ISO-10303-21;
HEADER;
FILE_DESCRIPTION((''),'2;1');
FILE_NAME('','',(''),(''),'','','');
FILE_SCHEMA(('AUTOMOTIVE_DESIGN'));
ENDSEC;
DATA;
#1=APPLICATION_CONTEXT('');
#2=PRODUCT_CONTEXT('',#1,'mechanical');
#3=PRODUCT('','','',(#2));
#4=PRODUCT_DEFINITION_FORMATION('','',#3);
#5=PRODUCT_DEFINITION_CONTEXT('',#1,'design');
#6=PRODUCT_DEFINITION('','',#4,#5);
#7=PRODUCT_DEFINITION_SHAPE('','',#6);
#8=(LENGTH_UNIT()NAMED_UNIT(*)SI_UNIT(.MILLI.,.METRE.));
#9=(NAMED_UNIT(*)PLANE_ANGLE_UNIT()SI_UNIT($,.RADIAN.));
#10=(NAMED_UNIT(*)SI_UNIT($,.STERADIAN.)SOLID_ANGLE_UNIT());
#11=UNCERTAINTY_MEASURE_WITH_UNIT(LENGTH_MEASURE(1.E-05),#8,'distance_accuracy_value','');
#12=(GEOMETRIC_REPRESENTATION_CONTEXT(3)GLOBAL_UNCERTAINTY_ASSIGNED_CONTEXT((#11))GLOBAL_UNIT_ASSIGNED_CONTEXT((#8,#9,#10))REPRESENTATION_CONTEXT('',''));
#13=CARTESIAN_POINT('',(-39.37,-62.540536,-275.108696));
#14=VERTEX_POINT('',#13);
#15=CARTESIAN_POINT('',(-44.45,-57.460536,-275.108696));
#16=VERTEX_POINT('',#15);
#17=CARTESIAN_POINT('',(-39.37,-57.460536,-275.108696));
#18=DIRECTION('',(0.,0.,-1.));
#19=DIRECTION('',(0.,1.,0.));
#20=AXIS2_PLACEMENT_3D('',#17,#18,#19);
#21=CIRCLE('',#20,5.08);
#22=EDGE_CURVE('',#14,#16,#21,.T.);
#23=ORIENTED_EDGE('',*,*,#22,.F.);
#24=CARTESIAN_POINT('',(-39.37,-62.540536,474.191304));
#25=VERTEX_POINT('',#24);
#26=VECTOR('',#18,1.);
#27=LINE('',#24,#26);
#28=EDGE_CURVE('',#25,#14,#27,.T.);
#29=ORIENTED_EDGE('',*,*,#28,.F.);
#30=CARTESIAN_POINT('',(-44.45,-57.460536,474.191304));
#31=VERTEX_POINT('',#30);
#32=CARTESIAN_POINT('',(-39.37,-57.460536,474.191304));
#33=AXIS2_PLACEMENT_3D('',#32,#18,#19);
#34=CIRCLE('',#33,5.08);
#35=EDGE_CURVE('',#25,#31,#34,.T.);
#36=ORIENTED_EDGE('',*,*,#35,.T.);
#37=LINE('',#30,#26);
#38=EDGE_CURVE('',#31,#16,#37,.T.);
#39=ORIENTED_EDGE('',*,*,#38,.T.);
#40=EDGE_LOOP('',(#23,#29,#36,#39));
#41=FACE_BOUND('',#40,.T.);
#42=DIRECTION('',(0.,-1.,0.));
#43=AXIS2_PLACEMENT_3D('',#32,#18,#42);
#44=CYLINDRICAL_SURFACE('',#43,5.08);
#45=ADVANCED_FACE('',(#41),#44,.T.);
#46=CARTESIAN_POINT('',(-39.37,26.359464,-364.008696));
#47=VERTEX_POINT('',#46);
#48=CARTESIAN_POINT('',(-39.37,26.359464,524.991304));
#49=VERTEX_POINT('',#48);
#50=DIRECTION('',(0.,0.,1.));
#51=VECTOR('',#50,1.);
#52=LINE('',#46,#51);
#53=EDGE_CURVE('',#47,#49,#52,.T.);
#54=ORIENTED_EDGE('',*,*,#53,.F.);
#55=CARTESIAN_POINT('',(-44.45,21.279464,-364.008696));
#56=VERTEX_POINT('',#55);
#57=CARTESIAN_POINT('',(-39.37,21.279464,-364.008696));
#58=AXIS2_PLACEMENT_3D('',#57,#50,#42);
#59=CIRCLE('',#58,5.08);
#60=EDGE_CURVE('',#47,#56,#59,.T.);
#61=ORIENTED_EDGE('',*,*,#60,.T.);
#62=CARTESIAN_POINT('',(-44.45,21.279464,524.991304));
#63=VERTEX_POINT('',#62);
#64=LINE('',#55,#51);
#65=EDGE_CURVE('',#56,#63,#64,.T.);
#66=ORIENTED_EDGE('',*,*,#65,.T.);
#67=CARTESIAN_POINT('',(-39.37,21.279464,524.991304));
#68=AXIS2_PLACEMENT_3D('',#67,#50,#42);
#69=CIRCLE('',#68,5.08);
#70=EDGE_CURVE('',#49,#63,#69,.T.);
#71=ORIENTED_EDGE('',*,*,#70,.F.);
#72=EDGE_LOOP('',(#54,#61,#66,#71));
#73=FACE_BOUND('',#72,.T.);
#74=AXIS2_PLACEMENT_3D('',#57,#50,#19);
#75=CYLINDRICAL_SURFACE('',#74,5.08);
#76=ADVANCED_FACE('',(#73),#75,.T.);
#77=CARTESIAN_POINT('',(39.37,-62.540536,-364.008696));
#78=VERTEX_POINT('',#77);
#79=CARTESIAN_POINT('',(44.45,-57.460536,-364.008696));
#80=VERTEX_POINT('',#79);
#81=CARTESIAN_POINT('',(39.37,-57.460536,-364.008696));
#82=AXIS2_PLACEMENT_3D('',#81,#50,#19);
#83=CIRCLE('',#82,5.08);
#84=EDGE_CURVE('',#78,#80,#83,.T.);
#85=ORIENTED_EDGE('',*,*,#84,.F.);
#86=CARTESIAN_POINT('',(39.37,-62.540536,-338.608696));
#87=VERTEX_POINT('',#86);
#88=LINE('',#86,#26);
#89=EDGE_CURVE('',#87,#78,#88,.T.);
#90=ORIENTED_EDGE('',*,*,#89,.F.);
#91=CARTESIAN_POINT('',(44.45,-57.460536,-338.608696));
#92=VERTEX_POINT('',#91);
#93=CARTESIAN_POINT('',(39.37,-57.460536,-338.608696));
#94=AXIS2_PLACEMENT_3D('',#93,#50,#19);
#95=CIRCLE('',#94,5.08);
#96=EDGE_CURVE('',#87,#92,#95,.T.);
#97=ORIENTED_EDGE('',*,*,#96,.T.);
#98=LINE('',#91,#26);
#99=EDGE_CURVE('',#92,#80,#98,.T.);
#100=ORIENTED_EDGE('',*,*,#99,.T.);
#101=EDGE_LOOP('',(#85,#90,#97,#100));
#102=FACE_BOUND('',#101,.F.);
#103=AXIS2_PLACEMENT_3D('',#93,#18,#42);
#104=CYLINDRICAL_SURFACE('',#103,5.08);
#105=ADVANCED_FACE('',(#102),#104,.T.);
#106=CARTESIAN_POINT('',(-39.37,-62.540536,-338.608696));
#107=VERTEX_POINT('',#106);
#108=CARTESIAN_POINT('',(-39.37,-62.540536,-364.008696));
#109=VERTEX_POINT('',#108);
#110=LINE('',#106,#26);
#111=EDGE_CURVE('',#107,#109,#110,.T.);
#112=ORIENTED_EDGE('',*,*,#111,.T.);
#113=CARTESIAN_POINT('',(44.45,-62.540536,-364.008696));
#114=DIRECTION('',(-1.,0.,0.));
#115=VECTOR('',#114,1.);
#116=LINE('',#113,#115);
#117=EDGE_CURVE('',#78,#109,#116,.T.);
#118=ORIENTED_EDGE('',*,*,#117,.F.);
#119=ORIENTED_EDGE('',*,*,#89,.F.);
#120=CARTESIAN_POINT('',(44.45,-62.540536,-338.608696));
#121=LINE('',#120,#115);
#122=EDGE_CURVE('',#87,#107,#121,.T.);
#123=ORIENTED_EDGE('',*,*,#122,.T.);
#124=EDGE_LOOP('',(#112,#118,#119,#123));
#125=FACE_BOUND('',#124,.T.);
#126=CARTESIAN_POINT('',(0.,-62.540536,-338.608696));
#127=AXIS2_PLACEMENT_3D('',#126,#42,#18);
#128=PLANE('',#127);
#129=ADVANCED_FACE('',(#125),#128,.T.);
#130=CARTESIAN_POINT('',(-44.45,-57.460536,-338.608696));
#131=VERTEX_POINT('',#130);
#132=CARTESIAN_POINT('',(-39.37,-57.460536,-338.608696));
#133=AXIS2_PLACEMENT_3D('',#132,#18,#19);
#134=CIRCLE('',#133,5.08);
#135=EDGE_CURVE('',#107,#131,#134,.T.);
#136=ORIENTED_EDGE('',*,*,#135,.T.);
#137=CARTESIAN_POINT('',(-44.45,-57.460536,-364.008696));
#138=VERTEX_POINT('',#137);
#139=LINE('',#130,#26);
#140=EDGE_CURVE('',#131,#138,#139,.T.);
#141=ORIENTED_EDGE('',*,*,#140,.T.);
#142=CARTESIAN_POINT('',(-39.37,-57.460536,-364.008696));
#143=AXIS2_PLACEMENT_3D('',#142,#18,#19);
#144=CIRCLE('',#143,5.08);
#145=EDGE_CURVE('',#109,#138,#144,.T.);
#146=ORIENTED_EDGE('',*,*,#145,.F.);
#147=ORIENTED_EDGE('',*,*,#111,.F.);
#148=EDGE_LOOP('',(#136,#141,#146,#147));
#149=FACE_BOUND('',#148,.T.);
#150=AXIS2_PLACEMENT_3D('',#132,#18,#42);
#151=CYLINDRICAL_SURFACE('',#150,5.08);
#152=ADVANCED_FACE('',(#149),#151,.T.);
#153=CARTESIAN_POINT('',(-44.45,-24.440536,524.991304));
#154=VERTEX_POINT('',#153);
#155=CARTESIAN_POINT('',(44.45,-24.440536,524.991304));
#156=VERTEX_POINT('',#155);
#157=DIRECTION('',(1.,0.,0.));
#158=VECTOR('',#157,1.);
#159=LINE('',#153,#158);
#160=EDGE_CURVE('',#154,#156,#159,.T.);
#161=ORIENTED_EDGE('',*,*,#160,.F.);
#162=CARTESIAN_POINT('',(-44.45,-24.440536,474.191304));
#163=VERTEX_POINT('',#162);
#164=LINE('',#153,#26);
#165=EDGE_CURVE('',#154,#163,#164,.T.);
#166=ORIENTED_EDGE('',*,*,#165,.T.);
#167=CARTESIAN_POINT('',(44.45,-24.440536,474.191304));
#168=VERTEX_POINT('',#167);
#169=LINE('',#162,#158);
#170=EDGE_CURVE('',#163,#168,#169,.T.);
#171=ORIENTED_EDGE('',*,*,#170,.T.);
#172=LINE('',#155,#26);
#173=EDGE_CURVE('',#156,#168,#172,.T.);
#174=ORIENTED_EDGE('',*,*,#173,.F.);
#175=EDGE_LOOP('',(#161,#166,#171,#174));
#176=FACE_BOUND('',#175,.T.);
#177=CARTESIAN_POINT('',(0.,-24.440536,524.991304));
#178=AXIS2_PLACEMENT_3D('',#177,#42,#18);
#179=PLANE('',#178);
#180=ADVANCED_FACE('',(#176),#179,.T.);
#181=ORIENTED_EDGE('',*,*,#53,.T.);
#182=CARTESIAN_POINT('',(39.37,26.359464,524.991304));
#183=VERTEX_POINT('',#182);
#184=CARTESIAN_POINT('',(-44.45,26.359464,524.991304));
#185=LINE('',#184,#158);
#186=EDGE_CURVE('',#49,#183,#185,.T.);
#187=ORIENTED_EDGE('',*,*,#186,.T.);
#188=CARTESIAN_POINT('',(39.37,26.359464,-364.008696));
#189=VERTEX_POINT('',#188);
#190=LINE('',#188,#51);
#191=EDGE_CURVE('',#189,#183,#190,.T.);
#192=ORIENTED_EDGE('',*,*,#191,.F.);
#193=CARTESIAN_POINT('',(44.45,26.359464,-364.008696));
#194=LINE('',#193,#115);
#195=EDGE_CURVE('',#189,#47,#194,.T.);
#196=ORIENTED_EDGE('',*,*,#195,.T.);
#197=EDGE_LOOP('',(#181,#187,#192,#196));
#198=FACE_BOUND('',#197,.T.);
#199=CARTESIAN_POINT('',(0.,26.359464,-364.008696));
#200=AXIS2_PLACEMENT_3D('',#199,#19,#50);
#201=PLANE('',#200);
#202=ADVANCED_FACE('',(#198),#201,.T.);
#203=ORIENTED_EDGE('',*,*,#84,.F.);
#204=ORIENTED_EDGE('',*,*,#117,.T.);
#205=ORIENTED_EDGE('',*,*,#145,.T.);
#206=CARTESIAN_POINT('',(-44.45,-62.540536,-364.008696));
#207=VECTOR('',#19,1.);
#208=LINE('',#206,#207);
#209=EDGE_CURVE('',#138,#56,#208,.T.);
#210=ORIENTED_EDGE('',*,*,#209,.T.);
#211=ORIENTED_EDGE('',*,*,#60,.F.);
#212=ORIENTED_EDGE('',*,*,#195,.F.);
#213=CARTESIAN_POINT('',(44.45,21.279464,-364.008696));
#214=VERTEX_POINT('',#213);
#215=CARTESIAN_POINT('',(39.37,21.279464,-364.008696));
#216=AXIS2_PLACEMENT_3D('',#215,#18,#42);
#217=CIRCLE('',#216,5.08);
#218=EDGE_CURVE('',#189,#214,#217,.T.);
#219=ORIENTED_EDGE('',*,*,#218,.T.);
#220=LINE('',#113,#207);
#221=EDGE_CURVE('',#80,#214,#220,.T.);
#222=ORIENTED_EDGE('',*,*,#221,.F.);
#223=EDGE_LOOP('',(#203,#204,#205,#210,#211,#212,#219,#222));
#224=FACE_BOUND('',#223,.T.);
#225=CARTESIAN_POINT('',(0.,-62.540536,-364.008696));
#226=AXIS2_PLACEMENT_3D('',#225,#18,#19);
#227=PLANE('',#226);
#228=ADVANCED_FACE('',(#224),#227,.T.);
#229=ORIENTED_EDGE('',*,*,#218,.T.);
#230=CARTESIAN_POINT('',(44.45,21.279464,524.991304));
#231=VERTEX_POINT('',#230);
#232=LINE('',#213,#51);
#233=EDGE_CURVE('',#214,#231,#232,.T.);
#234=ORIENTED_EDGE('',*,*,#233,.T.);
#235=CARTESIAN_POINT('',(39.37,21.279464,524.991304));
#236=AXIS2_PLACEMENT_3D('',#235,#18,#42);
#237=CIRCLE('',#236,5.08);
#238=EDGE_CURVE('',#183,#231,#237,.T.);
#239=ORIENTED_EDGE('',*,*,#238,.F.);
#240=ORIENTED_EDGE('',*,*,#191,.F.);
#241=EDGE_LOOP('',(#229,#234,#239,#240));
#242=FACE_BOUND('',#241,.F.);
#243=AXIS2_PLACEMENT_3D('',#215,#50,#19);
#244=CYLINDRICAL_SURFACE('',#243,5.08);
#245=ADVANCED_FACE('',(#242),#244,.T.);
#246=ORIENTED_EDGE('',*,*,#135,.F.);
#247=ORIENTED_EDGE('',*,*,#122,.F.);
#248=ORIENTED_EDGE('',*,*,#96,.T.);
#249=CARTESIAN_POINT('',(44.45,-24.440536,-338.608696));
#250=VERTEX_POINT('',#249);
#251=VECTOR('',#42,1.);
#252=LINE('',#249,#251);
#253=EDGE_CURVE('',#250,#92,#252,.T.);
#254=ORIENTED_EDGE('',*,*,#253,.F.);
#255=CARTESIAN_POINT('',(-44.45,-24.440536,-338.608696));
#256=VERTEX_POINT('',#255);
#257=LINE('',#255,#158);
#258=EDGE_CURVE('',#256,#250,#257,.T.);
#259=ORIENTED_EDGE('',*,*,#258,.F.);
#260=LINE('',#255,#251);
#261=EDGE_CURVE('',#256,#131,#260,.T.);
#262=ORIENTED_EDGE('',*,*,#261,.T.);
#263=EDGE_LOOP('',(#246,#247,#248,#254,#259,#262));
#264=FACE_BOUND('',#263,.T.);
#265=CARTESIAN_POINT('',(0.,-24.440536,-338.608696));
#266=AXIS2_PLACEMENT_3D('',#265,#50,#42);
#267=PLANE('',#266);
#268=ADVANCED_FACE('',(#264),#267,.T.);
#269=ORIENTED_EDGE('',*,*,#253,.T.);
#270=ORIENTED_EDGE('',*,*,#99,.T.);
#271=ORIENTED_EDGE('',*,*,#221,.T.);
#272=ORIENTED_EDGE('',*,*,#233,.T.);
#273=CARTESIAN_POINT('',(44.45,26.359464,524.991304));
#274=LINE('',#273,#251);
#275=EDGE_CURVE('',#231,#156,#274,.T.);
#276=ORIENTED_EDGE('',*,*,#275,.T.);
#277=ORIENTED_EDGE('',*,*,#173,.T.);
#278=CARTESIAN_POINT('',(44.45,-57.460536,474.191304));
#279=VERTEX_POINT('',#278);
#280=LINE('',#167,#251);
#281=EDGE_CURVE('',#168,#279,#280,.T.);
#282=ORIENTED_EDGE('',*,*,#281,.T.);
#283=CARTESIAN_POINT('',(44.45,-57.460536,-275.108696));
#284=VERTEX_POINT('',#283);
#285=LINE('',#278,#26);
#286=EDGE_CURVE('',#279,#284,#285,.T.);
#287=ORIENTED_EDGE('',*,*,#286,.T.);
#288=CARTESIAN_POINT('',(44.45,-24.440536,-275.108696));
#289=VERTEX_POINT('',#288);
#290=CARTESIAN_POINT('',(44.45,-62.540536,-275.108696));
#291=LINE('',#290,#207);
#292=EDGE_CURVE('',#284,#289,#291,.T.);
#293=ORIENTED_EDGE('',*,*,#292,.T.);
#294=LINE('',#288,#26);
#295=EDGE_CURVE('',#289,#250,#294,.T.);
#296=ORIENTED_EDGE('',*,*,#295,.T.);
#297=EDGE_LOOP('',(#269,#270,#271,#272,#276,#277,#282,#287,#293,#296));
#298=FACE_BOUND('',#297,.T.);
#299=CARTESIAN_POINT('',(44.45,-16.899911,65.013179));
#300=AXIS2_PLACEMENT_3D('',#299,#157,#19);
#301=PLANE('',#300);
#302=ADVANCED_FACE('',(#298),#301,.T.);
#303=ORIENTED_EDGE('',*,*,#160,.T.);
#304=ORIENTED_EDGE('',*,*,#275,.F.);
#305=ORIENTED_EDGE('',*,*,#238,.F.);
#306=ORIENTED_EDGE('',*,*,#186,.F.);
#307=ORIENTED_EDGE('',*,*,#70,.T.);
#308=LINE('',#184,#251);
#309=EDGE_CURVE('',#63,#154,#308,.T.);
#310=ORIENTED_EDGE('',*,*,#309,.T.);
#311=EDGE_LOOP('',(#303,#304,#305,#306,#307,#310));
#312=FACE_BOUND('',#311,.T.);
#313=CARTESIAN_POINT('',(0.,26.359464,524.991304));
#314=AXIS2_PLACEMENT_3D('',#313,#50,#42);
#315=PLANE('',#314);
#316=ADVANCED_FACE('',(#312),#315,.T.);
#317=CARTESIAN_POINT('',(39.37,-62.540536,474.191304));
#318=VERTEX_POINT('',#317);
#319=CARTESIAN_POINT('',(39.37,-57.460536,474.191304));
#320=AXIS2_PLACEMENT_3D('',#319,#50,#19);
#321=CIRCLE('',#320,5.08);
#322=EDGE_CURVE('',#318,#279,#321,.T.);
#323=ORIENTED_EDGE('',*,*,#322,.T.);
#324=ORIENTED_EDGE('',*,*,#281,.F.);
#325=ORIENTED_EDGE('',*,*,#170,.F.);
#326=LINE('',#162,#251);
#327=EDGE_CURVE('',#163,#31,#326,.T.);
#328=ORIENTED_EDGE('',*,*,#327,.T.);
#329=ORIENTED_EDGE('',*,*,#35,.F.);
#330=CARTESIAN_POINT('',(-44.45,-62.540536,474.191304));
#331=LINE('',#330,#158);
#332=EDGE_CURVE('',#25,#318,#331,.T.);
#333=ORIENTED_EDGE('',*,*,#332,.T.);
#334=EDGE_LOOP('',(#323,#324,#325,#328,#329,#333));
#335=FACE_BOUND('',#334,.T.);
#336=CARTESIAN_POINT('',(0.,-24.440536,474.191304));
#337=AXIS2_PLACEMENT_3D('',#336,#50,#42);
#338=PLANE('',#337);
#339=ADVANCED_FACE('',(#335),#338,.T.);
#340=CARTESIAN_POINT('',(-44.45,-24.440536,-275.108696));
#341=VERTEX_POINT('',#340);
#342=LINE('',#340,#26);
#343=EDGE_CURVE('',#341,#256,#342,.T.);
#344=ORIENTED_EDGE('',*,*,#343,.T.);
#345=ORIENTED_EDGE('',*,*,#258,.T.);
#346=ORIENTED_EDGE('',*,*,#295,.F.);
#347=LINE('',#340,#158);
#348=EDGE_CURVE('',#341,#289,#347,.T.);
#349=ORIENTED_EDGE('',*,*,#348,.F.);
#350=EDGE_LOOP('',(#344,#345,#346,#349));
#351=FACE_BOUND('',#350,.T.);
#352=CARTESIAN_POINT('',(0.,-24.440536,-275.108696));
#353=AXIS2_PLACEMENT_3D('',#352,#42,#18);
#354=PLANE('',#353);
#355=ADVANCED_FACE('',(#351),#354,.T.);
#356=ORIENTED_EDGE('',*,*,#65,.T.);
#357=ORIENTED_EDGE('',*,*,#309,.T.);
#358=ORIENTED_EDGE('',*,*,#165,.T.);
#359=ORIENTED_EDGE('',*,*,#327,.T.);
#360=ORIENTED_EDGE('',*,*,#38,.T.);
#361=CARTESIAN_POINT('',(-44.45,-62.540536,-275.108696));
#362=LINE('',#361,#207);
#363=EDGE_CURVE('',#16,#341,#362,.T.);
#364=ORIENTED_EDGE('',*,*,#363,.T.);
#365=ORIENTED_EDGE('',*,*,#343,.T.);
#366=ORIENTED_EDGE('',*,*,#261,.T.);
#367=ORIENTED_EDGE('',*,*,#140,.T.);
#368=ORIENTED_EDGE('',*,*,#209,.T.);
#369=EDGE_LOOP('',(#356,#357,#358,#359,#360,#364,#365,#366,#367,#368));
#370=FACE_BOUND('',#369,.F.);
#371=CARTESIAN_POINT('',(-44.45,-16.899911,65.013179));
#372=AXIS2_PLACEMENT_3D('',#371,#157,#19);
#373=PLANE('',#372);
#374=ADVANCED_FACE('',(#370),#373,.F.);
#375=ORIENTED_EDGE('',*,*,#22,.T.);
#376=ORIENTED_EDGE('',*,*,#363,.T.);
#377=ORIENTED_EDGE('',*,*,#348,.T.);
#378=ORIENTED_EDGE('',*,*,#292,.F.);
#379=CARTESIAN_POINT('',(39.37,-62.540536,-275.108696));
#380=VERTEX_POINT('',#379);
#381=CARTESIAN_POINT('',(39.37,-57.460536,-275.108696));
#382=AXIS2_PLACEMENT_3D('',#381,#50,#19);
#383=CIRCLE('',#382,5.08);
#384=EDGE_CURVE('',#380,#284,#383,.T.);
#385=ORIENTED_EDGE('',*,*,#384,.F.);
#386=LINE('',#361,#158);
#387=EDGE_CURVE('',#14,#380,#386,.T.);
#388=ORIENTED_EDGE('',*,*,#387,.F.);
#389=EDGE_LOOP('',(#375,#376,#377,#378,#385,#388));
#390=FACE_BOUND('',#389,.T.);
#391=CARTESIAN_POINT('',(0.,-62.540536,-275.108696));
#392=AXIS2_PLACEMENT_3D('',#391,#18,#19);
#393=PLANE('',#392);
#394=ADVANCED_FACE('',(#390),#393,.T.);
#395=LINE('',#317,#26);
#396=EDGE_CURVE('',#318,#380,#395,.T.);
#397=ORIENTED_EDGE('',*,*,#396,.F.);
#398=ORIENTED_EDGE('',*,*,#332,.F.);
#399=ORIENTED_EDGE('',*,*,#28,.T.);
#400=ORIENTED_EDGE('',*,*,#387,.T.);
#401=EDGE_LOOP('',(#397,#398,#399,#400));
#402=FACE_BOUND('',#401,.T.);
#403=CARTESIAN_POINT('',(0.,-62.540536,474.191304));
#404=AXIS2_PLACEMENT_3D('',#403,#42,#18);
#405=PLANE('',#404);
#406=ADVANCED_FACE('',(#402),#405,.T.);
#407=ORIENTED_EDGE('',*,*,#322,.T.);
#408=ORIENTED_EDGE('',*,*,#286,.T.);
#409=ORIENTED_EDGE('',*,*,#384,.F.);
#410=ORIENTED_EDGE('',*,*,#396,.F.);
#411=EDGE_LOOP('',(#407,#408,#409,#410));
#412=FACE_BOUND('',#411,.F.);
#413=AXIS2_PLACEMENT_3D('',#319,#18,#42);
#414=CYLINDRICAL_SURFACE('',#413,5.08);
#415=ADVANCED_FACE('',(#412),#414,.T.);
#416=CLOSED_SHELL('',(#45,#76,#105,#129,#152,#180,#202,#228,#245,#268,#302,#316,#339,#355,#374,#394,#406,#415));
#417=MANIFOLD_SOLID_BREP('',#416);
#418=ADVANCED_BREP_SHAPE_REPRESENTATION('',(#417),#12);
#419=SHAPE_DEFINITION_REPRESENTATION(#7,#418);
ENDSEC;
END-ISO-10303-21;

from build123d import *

# Parameters (mm, degrees)
F1_DEPTH = 44.45
F2_R     = 5.08


with BuildPart() as f1:
    # F0 (on Right) → F1 (new body, symmetric)
    with BuildSketch(Plane.YZ):
        Polygon((26.359464475, -364.0086964671), (26.359464475, 524.9913035329), (-24.440535525, 524.9913035329), (-24.440535525, 474.1913035329), (-62.540535525, 474.1913035329), (-62.540535525, -275.1086964671), (-24.440535525, -275.1086964671), (-24.440535525, -338.6086964671), (-62.540535525, -338.6086964671), (-62.540535525, -364.0086964671), align=None)
    extrude(amount=F1_DEPTH, both=True)

    # F2
    f2_edges = [f1.edges().sort_by_distance(p)[0] for p in [
        (44.45, -62.540536, 99.541304),
        (44.45, -62.540536, -351.308696),
        (-44.45, -62.540536, -351.308696),
        (-44.45, -62.540536, 99.541304),
        (44.45, 26.359464, 80.491304),
        (-44.45, 26.359464, 80.491304),
    ]]
    fillet(f2_edges, radius=F2_R)


solid = f1.part
